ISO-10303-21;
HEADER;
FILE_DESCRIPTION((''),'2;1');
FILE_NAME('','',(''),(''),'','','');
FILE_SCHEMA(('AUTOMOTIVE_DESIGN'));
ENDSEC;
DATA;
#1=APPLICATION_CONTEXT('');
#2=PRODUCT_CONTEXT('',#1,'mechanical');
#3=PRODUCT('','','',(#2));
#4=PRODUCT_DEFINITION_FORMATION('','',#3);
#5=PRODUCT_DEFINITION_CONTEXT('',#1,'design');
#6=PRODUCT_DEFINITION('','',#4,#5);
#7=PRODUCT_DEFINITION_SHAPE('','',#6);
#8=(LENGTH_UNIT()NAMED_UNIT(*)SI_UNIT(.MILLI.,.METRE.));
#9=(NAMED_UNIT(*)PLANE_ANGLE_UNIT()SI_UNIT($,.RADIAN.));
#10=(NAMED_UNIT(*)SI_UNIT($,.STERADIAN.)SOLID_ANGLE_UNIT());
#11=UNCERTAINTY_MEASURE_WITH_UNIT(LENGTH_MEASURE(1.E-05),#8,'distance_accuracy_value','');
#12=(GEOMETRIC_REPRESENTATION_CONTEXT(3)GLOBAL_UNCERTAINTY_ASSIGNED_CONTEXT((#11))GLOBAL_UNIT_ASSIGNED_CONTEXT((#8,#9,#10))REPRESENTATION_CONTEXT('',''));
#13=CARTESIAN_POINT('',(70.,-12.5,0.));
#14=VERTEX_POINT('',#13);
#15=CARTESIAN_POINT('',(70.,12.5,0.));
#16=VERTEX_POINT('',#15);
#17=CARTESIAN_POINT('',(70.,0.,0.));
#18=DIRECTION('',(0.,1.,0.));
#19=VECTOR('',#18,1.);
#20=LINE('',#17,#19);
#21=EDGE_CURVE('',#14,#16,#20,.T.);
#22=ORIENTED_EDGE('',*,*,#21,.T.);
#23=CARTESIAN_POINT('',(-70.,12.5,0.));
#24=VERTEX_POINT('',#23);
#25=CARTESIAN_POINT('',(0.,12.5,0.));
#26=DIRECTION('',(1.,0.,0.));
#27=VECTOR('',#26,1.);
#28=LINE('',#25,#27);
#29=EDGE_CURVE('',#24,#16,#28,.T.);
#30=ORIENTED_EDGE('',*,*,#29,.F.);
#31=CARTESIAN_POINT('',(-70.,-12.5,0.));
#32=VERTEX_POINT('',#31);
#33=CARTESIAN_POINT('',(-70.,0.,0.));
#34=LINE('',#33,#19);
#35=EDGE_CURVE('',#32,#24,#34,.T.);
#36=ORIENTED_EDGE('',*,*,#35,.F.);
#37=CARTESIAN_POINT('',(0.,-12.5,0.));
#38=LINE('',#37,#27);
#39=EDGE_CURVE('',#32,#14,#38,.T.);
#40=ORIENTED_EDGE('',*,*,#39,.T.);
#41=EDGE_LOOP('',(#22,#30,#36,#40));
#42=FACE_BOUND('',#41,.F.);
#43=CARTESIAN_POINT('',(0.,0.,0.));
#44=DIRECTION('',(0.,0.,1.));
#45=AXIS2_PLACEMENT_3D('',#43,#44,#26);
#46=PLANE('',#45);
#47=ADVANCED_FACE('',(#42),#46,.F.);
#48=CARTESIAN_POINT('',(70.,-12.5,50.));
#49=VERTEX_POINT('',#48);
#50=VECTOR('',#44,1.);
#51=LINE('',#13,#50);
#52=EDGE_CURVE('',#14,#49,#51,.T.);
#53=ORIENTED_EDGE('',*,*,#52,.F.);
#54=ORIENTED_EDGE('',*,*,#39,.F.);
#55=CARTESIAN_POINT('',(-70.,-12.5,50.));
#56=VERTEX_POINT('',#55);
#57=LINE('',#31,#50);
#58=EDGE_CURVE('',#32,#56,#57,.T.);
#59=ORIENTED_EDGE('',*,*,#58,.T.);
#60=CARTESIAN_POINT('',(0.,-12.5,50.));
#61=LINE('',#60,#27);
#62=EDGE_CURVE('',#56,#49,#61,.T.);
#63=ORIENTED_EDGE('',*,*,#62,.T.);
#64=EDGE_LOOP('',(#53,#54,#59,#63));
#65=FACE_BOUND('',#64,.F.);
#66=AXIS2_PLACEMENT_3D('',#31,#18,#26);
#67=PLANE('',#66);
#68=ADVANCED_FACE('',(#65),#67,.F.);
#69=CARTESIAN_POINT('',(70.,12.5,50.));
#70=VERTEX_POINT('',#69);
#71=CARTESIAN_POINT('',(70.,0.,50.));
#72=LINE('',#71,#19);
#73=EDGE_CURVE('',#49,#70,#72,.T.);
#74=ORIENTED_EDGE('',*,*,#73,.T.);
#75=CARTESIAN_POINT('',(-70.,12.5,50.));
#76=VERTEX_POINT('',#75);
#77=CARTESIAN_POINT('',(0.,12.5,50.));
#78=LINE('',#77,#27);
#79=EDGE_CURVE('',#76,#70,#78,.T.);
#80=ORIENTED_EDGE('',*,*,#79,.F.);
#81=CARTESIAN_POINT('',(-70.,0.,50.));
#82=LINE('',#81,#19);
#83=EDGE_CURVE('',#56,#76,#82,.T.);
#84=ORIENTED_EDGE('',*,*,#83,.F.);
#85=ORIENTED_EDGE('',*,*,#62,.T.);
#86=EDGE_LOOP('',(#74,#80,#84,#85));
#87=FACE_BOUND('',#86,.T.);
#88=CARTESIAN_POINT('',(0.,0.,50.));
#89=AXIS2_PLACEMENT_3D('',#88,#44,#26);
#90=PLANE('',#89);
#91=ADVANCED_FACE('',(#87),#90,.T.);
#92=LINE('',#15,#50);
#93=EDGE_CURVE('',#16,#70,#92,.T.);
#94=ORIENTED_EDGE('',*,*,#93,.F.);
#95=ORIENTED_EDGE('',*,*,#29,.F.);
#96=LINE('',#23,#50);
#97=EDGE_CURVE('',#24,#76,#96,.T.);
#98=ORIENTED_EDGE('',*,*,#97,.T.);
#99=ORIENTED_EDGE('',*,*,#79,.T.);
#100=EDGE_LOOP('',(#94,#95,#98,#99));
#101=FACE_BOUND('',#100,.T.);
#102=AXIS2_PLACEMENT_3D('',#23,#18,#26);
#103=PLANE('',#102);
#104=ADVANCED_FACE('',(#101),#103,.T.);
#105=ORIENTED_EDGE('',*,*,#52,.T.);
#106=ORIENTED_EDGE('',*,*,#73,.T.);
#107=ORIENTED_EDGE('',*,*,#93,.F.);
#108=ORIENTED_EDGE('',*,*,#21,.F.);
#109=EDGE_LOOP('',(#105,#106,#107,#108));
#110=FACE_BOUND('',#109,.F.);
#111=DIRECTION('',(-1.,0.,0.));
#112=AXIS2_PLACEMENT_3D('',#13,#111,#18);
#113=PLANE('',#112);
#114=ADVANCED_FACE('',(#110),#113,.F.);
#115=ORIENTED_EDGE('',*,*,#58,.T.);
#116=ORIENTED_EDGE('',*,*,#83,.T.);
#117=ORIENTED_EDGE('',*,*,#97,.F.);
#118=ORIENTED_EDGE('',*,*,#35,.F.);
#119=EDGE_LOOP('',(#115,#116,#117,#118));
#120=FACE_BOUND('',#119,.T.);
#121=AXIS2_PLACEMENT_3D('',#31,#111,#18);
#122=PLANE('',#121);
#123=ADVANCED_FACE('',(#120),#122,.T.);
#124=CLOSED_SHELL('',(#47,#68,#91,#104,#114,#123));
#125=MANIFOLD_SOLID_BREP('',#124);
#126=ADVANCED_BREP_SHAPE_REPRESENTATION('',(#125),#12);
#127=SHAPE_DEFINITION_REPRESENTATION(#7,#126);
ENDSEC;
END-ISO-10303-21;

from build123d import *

# Parameters (mm, degrees)
SKETCH_W      = 140
SKETCH_H      = 25
EXTRUDE_DEPTH = 50


with BuildPart() as part:
    # Sketch → Extrude (new body)
    with BuildSketch(Plane.XY):
        Rectangle(SKETCH_W, SKETCH_H)
    extrude(amount=EXTRUDE_DEPTH)


solid = part.part
